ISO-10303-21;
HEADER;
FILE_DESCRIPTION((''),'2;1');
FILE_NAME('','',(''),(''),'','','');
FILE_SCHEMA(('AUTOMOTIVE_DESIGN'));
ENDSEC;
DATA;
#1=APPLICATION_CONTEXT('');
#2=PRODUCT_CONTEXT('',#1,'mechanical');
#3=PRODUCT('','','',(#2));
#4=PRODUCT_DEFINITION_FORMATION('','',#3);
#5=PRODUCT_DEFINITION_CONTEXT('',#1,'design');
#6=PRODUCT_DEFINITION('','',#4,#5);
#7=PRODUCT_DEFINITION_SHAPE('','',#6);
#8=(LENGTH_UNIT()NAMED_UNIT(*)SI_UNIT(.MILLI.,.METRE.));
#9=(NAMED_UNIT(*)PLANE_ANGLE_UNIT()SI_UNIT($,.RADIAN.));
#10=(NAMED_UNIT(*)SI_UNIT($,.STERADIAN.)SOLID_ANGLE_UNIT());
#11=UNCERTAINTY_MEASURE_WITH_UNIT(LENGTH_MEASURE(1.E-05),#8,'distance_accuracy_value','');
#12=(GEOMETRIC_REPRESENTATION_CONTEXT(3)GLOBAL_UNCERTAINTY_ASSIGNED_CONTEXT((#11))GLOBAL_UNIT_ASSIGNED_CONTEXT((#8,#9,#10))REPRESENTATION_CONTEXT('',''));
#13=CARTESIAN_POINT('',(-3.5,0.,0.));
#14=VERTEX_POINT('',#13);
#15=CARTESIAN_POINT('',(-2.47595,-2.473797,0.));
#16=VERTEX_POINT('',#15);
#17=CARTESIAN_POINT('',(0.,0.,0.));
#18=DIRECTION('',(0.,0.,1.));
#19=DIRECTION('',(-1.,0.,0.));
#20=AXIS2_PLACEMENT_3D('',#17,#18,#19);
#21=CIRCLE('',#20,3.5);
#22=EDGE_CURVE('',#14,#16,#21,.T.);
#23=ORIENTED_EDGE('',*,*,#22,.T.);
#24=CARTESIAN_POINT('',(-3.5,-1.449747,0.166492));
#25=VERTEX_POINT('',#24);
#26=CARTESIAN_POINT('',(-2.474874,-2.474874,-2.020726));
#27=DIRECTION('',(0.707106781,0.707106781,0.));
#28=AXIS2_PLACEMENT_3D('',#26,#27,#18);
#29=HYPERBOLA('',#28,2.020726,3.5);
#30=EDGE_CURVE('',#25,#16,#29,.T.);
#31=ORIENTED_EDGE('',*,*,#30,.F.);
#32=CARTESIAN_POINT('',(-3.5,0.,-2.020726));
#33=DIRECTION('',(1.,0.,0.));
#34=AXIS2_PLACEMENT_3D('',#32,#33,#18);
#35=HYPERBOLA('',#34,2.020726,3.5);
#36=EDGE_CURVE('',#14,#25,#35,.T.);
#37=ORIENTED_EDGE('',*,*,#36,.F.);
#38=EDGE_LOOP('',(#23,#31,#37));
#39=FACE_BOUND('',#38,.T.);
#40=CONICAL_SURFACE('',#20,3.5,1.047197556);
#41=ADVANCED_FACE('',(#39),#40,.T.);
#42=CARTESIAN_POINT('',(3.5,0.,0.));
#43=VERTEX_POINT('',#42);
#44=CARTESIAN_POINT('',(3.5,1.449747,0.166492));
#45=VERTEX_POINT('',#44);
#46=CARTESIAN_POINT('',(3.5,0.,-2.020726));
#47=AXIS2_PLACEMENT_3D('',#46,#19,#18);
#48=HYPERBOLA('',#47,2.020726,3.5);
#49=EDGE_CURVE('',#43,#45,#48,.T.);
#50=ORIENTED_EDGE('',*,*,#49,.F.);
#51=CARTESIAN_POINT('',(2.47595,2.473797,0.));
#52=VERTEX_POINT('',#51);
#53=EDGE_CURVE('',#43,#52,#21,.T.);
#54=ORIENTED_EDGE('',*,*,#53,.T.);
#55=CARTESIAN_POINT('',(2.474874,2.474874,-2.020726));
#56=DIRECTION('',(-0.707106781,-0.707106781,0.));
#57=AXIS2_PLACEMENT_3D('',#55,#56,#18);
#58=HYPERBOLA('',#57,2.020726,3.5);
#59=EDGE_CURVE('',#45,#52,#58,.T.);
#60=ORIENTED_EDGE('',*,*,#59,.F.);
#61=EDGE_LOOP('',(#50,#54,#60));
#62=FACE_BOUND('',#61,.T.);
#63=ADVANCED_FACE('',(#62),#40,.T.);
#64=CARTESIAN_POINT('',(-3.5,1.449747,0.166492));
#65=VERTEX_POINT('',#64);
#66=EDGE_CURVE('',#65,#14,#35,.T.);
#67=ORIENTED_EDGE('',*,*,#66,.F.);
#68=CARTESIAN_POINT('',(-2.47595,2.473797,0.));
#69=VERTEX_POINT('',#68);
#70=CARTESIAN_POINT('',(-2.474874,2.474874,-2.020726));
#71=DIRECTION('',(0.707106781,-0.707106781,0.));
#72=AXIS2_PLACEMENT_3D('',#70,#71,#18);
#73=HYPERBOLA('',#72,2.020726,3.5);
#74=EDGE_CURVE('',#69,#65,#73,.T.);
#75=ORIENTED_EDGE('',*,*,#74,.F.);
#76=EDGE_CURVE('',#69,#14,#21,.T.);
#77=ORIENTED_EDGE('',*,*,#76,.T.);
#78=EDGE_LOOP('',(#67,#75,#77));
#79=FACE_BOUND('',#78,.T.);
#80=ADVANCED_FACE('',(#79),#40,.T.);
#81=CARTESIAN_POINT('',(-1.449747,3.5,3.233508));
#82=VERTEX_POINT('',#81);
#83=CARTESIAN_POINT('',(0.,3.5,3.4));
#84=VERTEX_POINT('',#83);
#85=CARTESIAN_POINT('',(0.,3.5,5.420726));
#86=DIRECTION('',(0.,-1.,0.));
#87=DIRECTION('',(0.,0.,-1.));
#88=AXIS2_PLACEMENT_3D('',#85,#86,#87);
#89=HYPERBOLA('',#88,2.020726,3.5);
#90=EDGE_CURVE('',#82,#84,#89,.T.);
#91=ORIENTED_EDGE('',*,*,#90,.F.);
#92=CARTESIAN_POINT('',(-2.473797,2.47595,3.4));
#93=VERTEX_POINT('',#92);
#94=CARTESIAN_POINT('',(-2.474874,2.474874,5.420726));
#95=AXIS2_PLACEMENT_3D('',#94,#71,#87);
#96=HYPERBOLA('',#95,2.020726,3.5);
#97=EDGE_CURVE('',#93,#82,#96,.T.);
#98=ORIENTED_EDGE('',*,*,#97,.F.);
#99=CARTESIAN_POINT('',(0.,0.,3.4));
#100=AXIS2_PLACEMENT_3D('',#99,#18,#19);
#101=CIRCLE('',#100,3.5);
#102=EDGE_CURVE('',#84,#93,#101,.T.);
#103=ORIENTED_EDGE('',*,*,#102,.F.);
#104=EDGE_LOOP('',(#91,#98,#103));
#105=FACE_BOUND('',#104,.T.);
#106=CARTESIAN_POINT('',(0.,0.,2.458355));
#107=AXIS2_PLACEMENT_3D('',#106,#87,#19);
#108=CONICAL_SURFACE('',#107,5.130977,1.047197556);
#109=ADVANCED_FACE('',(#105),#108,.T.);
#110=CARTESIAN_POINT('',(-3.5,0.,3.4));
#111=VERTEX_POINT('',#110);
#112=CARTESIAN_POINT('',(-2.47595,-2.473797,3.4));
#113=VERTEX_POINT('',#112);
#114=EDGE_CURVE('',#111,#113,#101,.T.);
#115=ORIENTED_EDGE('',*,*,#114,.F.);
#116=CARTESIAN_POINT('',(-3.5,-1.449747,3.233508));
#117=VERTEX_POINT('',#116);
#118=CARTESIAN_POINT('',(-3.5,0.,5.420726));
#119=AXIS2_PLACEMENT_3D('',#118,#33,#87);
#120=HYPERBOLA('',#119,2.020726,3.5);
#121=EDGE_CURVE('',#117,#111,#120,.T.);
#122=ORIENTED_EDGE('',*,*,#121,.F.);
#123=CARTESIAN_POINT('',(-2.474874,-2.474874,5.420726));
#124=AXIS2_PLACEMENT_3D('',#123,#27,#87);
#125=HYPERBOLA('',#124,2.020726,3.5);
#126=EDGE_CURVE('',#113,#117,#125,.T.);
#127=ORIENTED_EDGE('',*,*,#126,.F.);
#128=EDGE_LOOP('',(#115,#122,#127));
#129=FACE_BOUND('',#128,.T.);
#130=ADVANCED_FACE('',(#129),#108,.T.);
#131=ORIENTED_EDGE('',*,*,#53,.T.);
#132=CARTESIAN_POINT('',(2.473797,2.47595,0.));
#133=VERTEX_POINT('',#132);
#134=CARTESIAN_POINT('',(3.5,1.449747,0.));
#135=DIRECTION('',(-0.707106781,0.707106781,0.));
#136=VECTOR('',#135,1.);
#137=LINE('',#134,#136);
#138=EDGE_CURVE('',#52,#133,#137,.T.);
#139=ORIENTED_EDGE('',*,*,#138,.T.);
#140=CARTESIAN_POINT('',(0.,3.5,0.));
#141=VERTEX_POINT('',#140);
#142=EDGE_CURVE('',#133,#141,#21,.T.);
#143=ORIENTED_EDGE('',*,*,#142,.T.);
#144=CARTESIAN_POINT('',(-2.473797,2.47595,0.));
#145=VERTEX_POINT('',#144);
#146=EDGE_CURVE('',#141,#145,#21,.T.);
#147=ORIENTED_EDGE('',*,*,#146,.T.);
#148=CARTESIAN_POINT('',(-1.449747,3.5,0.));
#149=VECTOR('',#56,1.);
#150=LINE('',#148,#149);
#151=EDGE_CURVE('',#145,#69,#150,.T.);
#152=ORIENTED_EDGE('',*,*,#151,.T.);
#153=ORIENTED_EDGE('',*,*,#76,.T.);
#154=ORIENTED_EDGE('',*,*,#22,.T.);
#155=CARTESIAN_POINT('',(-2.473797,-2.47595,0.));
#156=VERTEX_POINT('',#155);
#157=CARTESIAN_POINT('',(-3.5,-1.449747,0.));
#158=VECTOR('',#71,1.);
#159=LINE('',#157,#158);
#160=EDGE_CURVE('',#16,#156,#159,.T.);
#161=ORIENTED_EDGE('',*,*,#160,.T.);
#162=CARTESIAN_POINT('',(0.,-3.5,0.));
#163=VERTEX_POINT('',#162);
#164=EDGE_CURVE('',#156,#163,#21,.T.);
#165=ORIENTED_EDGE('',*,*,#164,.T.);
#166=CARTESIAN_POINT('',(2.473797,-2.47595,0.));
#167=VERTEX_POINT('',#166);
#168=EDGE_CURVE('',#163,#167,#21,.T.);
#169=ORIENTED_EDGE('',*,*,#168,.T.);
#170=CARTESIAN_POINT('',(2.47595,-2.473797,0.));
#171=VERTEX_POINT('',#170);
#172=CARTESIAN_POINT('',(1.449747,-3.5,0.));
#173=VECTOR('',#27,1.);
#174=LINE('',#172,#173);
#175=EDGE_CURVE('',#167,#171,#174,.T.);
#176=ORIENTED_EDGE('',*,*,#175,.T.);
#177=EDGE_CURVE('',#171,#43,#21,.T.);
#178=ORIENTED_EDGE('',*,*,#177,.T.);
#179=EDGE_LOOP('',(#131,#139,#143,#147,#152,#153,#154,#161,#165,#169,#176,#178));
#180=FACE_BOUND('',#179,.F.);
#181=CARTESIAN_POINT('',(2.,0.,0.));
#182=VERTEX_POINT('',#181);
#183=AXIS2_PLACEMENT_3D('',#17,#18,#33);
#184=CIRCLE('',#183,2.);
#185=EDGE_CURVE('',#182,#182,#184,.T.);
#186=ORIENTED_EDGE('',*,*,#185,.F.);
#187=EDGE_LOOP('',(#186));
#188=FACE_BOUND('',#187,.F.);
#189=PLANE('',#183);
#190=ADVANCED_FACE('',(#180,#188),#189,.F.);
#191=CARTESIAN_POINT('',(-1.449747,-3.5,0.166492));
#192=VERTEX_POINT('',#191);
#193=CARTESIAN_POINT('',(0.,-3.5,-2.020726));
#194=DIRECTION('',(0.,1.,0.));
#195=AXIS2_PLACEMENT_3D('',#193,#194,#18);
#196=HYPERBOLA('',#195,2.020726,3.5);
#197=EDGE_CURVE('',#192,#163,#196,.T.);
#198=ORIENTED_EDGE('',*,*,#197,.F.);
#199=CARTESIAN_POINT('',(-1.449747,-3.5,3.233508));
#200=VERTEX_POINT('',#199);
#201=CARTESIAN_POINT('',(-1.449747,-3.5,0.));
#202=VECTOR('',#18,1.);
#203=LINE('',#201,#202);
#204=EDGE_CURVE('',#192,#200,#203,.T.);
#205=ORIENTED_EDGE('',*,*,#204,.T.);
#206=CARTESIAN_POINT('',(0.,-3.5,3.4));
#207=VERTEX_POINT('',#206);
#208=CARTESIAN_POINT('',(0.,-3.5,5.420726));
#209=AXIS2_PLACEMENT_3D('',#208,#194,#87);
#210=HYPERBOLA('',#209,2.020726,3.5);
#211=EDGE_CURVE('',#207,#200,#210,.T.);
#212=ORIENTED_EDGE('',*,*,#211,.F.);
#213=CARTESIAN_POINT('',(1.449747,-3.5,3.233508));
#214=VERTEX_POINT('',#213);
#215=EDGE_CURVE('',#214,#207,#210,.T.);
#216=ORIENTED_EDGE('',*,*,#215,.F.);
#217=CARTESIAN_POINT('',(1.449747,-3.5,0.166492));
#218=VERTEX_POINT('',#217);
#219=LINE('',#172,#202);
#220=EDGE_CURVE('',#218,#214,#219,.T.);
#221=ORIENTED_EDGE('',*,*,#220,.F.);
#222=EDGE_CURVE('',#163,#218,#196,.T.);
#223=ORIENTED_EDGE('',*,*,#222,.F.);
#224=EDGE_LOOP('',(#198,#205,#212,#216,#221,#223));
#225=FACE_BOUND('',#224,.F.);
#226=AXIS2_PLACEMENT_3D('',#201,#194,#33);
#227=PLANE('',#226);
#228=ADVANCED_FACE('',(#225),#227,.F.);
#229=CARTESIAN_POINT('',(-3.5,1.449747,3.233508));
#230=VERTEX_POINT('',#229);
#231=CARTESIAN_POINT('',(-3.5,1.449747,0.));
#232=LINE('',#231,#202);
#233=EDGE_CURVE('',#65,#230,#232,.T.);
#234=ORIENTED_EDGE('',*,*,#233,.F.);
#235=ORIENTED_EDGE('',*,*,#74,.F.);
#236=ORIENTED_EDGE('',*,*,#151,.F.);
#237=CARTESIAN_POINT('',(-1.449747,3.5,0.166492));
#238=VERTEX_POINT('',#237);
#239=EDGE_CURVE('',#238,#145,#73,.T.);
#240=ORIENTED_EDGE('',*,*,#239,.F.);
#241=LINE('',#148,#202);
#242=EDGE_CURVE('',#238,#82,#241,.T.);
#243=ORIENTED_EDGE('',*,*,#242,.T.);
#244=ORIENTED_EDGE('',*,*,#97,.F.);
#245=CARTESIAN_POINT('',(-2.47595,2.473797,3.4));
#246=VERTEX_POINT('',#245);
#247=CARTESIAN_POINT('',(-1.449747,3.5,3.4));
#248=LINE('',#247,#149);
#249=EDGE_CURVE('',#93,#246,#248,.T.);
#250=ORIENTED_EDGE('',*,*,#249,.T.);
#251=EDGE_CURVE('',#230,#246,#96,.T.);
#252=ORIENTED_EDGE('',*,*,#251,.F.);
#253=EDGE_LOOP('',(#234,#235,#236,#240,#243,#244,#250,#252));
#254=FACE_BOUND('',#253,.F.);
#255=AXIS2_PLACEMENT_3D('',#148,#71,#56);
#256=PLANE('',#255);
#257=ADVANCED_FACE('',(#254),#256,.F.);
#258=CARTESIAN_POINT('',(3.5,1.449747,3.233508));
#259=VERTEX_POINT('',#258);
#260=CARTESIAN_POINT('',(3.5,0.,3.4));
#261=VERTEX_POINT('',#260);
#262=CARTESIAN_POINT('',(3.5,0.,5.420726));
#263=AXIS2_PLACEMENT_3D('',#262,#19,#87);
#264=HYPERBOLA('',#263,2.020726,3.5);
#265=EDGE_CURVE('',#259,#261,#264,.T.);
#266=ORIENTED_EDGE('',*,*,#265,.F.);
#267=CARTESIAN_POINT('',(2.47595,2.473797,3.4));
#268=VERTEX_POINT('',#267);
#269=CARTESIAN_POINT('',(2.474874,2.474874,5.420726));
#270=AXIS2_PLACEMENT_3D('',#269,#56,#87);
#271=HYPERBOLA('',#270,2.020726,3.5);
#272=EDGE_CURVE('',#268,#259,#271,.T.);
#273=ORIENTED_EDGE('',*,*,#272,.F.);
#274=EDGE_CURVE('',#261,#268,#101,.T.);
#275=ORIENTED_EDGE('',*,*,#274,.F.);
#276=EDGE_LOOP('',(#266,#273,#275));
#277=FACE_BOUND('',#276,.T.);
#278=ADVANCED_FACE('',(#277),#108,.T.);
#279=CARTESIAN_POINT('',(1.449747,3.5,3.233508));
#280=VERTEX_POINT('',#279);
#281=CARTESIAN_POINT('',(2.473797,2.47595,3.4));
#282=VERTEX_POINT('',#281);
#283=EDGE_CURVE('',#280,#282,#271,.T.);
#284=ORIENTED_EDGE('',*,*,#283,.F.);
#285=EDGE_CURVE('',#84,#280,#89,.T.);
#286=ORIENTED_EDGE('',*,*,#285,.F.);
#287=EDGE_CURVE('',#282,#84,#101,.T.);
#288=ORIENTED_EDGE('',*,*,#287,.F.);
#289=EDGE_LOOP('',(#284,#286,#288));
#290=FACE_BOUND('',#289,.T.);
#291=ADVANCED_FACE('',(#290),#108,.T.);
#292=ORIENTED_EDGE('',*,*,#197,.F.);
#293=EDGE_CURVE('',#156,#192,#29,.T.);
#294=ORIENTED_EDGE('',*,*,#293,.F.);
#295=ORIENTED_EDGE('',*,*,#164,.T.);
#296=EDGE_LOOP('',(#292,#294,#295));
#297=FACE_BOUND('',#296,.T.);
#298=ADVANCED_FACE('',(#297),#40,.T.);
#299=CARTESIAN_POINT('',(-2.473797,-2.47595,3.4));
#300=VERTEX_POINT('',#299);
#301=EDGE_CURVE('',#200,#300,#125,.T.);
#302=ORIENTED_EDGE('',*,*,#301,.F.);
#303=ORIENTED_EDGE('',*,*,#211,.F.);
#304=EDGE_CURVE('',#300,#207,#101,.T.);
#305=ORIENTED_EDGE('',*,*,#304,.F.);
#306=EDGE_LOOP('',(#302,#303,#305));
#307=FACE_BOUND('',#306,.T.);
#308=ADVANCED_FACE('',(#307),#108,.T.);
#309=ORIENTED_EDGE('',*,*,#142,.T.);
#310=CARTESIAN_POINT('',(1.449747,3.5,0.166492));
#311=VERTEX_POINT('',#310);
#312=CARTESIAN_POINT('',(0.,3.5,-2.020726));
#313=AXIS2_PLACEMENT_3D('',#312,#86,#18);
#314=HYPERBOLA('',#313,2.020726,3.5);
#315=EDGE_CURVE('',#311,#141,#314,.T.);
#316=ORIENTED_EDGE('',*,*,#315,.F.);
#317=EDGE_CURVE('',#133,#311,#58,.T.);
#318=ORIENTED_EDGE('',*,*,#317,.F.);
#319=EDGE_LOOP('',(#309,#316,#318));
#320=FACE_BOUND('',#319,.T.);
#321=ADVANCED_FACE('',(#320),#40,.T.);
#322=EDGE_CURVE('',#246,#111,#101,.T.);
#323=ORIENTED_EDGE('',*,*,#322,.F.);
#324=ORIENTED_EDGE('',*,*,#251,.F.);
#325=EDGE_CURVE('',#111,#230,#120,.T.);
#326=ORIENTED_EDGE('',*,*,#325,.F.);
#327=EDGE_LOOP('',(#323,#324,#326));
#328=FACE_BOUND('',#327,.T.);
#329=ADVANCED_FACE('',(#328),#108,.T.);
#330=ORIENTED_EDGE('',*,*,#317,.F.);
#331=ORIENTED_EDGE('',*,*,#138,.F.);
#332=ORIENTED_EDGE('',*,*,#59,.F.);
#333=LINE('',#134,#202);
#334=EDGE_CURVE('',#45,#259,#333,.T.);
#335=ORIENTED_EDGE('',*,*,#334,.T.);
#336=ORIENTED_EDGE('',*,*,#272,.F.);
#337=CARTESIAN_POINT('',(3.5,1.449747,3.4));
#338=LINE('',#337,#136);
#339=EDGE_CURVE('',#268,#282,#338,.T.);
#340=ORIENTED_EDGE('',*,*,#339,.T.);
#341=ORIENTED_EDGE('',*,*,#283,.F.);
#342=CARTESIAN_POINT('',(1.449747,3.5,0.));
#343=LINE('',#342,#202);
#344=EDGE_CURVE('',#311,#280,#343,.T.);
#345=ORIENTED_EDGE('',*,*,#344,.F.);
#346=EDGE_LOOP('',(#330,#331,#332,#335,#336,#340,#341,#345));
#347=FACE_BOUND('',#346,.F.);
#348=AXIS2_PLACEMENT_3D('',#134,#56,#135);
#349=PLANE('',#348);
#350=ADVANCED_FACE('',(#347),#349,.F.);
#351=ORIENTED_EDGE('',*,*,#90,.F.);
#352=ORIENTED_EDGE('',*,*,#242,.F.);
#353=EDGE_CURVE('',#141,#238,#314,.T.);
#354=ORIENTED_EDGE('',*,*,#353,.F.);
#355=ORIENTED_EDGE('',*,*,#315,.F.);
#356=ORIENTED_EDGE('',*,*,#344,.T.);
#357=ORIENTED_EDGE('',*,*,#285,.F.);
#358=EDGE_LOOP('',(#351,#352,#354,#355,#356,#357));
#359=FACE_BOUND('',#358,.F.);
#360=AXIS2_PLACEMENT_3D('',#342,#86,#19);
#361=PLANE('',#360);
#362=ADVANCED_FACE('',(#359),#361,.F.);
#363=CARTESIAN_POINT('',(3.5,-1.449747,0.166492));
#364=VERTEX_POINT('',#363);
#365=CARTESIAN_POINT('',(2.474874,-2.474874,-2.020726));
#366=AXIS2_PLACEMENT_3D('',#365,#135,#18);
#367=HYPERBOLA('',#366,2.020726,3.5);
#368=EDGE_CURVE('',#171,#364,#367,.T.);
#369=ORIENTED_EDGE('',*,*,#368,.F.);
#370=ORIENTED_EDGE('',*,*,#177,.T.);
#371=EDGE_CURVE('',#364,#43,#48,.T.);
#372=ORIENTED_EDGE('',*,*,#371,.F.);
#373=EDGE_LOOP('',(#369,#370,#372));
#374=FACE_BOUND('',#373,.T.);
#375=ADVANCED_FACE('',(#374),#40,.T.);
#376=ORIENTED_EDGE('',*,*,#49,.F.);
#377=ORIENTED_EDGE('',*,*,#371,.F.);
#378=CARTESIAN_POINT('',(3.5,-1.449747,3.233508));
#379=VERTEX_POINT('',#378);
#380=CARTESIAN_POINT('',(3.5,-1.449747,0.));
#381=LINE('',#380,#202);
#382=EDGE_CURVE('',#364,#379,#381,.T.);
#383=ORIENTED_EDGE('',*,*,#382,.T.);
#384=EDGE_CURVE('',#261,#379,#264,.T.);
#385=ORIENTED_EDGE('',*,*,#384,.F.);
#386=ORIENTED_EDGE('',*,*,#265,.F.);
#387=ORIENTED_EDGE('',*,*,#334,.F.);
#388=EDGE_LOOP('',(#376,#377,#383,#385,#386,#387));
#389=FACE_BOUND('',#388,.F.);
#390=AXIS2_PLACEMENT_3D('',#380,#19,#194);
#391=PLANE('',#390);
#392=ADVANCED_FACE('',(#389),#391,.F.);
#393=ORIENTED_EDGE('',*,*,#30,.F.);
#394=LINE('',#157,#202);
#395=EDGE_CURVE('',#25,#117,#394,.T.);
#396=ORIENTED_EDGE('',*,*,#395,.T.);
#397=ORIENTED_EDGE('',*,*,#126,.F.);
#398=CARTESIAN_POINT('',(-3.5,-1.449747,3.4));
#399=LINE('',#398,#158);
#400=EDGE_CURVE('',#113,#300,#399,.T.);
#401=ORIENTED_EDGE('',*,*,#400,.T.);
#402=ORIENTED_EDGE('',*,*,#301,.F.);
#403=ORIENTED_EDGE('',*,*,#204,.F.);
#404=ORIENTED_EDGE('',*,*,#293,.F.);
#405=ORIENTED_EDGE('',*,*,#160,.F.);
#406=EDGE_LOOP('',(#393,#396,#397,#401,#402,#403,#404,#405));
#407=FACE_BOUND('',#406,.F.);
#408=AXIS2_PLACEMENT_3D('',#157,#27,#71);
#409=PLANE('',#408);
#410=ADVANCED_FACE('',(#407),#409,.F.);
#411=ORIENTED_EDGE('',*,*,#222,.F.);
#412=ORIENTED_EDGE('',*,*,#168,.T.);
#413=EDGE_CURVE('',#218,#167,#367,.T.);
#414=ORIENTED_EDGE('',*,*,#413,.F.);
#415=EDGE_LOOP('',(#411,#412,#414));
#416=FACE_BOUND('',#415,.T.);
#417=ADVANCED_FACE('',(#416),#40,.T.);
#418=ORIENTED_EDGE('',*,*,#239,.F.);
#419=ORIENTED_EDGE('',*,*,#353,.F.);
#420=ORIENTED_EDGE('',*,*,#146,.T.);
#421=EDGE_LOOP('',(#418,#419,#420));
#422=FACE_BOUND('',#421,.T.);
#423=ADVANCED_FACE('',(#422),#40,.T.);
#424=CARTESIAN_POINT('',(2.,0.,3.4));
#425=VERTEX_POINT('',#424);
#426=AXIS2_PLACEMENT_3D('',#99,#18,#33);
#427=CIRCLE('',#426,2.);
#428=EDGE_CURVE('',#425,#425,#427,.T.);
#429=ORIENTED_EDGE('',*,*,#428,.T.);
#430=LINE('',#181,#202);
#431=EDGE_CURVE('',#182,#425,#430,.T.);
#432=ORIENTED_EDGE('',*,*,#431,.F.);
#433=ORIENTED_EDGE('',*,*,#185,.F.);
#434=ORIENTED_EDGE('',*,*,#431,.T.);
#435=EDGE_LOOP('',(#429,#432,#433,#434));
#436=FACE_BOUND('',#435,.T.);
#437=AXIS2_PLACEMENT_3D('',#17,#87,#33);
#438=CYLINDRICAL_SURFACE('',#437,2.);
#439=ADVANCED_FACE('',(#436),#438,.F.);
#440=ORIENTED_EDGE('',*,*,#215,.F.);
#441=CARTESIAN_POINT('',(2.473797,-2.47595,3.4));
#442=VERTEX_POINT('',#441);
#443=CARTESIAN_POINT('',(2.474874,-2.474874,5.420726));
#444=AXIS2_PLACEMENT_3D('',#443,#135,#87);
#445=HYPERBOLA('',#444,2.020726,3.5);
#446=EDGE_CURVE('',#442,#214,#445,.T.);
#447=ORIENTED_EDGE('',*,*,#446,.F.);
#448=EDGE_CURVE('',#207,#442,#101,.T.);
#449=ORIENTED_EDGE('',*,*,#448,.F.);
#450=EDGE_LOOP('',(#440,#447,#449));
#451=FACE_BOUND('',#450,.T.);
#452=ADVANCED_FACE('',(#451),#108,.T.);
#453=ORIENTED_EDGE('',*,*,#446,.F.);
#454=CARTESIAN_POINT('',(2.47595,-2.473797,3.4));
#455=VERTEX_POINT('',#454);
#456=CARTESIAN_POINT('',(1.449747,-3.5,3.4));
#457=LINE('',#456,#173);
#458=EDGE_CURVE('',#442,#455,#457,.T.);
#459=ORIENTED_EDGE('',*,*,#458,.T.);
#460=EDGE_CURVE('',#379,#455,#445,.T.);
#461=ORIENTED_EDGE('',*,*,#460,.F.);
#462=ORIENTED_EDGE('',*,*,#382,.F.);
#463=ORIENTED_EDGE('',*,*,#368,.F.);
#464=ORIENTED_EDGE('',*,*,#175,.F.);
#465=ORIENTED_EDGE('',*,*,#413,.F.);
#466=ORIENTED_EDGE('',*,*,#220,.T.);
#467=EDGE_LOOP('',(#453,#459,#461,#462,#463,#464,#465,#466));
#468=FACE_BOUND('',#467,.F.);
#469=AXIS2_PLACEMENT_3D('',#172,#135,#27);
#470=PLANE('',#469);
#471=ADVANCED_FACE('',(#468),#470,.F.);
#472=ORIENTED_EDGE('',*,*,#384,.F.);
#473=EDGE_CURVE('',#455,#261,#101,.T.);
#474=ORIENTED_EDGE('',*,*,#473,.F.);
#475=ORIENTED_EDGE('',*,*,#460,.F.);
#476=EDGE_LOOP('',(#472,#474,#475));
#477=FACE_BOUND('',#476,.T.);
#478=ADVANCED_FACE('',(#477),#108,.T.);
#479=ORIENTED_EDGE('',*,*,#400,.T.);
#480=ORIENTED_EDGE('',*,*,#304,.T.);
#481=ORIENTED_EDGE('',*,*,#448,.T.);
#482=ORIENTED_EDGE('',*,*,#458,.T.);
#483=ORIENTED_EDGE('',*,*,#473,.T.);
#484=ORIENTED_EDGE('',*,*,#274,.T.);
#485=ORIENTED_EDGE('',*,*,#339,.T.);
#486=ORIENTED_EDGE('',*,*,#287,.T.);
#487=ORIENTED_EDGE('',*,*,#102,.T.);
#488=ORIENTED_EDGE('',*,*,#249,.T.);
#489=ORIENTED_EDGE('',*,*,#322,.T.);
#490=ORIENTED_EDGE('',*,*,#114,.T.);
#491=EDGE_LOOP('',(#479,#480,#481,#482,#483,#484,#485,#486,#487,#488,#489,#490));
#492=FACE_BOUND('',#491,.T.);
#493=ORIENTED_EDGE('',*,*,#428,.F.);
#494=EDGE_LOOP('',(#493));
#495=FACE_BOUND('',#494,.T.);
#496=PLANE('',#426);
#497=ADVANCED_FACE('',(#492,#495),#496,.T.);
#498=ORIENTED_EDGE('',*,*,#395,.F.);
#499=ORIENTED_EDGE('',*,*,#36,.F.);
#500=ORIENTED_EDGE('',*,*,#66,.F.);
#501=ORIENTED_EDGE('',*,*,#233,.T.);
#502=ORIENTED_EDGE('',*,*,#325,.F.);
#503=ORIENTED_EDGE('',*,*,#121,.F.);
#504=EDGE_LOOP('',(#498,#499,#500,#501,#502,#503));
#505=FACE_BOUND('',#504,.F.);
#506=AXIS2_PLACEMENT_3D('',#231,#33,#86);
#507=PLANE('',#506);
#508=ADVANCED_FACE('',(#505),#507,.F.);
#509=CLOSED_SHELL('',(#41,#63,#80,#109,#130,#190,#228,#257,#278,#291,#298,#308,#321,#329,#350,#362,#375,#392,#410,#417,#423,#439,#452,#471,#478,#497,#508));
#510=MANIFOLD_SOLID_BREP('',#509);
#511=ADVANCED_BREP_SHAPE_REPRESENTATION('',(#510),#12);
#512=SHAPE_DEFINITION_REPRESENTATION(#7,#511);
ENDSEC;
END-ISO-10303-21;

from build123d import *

# Parameters (mm, degrees)
F0_R     = 2
F1_DEPTH = 3.4


with BuildPart() as f1:
    # F0 (on Top) → F1 (new body)
    with BuildSketch(Plane.XY):
        Polygon((1.449747, -3.5), (3.5, -1.449747), (3.5, 1.449747), (1.449747, 3.5), (-1.449747, 3.5), (-3.5, 1.449747), (-3.5, -1.449747), (-1.449747, -3.5), align=None)
        Circle(F0_R, mode=Mode.SUBTRACT)
    extrude(amount=F1_DEPTH)

    # F2 (on Front) → F3 (revolve, cut)
    with BuildSketch(Plane.XZ):
        Polygon((-5.130977, 2.458355), (-3.5, 3.4), (-5.130977, 3.4), align=None)
        Polygon((-3.5, 0), (-5.130977, 0.941645), (-5.130977, 0), align=None)
    revolve(axis=Axis((0, 0, 1.7), (0, 0, 1)), mode=Mode.SUBTRACT)


solid = f1.part
